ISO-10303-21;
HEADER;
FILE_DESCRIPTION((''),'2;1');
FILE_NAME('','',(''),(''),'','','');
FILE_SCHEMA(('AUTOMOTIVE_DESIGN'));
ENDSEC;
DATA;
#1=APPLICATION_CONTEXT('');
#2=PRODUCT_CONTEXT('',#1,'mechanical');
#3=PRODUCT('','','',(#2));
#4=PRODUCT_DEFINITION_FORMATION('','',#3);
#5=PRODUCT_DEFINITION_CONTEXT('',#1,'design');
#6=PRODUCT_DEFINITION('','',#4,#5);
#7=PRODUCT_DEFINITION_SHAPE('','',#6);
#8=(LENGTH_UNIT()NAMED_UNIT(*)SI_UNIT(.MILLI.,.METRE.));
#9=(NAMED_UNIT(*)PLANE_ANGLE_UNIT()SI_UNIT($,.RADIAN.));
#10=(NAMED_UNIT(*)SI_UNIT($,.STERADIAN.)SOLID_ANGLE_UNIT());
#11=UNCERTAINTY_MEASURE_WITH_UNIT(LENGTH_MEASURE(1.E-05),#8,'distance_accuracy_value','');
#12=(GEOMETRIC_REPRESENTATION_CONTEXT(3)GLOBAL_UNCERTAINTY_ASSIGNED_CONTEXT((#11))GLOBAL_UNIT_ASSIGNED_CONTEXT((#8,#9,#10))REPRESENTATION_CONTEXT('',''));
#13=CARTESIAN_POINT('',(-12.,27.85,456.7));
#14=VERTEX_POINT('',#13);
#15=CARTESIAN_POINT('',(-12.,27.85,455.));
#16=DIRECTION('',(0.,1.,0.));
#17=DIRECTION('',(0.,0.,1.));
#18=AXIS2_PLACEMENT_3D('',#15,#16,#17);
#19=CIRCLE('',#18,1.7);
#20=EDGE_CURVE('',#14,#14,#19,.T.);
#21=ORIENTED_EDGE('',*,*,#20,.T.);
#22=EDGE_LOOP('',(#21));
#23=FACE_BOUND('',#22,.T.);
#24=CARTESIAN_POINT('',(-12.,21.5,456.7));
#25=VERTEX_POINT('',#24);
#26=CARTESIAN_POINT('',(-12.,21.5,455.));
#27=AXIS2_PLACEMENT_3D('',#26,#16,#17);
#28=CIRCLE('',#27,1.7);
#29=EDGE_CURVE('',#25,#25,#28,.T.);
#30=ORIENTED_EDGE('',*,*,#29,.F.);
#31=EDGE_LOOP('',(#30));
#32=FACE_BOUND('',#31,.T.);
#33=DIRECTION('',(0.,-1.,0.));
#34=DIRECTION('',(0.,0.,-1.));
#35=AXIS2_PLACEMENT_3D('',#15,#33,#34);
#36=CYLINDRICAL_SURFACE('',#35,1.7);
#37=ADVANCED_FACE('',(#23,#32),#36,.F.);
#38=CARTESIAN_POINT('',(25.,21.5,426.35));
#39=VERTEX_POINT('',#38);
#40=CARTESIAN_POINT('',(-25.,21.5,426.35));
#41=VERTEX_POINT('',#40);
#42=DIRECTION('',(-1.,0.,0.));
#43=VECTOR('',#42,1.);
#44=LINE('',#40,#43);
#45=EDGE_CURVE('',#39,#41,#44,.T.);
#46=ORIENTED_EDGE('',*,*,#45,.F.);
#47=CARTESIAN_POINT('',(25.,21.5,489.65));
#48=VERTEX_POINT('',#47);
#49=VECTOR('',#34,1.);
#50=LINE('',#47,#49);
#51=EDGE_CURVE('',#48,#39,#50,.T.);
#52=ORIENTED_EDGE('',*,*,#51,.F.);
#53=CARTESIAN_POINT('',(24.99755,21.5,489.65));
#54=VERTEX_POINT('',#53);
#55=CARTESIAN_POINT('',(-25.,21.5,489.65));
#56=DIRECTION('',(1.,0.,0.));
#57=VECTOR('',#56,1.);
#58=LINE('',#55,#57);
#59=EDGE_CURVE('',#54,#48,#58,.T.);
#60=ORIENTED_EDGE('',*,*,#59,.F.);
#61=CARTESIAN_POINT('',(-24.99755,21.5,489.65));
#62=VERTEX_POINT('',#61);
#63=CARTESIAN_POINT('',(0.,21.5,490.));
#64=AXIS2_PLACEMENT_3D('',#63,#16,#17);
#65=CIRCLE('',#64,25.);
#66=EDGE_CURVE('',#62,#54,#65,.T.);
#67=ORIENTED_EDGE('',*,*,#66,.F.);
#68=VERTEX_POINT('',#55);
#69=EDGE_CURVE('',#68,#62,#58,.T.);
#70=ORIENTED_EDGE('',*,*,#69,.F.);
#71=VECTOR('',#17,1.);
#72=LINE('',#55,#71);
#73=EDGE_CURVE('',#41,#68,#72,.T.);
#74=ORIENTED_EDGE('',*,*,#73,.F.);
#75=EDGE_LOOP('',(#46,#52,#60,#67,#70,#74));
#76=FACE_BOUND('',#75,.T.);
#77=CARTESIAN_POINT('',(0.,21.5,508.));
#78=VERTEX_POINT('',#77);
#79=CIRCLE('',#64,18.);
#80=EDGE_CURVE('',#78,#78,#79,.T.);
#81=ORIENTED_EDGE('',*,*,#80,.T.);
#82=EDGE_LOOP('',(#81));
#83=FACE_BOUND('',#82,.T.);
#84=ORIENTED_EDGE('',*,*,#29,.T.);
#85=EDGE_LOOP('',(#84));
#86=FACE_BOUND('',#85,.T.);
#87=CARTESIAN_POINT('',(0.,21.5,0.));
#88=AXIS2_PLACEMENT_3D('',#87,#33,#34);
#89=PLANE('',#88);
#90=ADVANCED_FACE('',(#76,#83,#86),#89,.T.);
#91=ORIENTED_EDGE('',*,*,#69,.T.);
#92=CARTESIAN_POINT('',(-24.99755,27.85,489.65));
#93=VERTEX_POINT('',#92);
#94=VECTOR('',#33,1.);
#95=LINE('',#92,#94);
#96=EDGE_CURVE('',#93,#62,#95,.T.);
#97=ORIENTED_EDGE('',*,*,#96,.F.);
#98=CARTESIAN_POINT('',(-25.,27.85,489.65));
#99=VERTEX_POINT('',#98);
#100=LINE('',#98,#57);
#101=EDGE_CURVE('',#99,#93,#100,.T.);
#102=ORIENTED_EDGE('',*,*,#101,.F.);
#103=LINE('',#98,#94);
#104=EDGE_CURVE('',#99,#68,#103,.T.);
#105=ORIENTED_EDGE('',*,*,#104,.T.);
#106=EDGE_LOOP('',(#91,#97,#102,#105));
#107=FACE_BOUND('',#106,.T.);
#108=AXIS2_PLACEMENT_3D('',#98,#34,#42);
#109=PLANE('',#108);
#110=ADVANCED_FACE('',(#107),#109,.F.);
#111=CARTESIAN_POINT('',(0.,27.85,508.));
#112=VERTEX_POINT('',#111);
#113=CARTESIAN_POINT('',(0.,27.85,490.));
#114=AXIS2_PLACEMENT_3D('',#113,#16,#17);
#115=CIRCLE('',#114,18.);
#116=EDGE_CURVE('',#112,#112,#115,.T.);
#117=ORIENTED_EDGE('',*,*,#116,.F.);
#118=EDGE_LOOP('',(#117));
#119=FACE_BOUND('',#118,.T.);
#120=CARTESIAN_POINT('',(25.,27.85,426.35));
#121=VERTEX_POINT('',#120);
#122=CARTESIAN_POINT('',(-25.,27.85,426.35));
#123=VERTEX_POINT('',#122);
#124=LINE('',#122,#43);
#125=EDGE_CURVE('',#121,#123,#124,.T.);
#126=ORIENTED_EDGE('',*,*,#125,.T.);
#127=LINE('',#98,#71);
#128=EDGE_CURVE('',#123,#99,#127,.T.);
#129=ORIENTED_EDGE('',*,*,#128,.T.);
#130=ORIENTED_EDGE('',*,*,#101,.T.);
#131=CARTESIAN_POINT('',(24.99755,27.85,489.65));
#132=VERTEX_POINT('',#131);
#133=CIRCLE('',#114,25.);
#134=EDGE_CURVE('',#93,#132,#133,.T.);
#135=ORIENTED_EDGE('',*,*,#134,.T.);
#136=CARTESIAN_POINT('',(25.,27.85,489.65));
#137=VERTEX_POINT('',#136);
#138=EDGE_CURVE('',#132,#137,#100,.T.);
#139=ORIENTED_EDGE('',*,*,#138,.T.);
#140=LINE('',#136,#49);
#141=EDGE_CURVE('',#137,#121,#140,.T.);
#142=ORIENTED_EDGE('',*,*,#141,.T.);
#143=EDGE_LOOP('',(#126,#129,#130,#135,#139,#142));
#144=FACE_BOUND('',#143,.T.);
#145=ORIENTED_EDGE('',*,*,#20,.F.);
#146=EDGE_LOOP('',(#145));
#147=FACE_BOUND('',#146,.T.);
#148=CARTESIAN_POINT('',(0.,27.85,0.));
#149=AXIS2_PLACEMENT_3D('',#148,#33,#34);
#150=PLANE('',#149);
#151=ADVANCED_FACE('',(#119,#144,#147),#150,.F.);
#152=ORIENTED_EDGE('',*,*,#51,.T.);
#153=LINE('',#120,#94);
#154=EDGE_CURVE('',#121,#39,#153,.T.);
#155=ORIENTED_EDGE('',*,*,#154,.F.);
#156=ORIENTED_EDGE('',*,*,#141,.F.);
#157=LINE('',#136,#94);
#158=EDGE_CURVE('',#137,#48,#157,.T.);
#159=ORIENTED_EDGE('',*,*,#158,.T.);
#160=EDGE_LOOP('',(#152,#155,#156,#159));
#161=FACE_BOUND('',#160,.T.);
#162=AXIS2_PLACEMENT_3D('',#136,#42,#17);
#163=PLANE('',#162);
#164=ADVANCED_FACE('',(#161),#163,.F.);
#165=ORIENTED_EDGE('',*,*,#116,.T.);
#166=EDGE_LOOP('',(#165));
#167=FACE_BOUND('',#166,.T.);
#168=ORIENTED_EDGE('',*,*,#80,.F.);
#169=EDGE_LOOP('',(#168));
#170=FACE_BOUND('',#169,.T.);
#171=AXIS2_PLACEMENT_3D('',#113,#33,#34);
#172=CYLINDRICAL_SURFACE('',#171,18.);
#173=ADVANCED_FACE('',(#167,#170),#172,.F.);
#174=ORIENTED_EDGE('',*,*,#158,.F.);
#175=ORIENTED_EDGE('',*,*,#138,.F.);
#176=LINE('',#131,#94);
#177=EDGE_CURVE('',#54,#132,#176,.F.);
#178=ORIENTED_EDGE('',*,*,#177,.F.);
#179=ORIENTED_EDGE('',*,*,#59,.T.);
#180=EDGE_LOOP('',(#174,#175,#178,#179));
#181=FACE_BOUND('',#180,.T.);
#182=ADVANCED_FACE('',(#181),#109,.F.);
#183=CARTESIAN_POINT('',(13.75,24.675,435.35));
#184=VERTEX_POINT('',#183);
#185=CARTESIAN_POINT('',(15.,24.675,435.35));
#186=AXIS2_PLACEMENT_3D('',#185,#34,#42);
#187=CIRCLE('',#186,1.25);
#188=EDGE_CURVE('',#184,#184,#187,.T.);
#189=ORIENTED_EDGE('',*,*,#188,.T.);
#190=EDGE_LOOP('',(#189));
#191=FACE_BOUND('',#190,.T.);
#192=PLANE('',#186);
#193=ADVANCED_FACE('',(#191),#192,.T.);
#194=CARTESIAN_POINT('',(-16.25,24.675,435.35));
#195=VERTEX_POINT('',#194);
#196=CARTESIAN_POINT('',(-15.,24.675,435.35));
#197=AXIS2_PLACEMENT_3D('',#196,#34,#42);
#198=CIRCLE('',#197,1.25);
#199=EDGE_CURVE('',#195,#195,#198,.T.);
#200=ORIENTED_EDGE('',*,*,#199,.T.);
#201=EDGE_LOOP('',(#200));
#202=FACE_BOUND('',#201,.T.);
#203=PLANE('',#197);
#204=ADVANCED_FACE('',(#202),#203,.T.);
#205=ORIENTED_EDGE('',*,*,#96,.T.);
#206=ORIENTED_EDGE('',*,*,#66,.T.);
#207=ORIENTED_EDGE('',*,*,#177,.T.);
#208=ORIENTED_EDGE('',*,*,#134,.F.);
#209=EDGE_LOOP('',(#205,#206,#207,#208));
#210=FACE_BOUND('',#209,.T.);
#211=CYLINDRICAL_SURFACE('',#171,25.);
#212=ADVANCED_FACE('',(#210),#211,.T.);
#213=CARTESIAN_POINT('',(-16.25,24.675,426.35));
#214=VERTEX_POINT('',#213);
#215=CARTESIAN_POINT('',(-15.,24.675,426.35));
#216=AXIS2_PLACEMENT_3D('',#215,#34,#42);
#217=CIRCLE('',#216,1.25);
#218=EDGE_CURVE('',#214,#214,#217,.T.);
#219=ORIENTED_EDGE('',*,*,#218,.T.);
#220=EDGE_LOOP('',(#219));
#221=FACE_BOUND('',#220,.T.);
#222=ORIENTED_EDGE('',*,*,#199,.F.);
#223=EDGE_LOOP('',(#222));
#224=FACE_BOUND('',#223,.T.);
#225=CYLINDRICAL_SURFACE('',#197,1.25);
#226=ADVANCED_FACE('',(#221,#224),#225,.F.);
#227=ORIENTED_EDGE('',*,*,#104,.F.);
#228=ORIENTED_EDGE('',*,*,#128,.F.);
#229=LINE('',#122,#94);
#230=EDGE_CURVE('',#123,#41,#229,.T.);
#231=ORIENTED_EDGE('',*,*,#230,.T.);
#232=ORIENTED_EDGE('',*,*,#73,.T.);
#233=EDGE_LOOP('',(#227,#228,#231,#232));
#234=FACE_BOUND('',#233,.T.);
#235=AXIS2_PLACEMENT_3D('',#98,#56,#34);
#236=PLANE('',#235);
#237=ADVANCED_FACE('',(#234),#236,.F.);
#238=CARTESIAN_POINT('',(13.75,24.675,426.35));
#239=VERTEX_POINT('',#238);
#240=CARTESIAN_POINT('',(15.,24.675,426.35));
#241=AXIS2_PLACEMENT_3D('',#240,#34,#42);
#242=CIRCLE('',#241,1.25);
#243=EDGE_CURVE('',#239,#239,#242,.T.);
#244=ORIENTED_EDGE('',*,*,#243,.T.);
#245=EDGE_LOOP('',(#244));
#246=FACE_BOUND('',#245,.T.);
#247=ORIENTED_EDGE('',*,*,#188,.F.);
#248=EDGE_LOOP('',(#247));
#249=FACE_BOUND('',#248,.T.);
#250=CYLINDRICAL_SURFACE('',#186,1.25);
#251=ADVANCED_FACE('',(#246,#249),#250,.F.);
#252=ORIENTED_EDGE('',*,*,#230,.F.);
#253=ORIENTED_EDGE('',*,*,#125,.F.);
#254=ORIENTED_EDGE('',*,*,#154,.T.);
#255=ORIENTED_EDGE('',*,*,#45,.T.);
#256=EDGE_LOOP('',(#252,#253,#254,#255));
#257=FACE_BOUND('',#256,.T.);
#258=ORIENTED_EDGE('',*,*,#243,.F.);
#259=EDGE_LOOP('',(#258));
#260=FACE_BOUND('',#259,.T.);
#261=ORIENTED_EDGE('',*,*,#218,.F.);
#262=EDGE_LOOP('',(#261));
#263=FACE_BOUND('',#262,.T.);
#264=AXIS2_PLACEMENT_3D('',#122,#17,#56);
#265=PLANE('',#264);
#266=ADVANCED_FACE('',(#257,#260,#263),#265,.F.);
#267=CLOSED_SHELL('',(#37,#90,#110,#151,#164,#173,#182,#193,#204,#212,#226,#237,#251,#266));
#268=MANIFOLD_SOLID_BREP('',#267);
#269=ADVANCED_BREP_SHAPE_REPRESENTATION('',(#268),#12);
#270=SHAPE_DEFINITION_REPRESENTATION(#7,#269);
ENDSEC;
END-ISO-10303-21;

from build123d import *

# Parameters (mm, degrees)
PARED_START                = 21.5
SK_PARED_W                 = 50
SK_PARED_H                 = 63.3
PARED_DEPTH                = 6.35
CABEZA_START               = 21.5
SK_CABEZA_R                = 25
CABEZA_DEPTH               = 6.35
PASO_CUBO_J5_START         = 21.5
SK_PASO_CUBO_J5_R          = 18
PASO_CUBO_J5_DEPTH         = 6.35
PASANTE_M3_CINCHO_START    = 21.5
SK_PASANTE_M3_CINCHO_R     = 1.7
PASANTE_M3_CINCHO_DEPTH    = 6.35
SK_ROSCA_M3_DESDE_ABAJO_R  = 1.25
ROSCA_M3_DESDE_ABAJO_DEPTH = 9


with BuildPart() as part:
    # Sk_Pared → Pared (new body)
    with BuildSketch(Plane(origin=(0, 0, 0), x_dir=(1, 0, 0), z_dir=(0, 1, 0)).offset(PARED_START)):
        with Locations((0, -458)):
            Rectangle(SK_PARED_W, SK_PARED_H)
    extrude(amount=PARED_DEPTH)

    # Sk_Cabeza → Cabeza (add)
    with BuildSketch(Plane(origin=(0, 0, 0), x_dir=(1, 0, 0), z_dir=(0, 1, 0)).offset(CABEZA_START)):
        with Locations((0, -490)):
            Circle(SK_CABEZA_R)
    extrude(amount=CABEZA_DEPTH)

    # Sk_Paso_cubo_J5 → Paso_cubo_J5 (cut)
    with BuildSketch(Plane(origin=(0, 0, 0), x_dir=(1, 0, 0), z_dir=(0, 1, 0)).offset(PASO_CUBO_J5_START)):
        with Locations(Location((0, -490, 0), (0, 0, 270))):
            Circle(SK_PASO_CUBO_J5_R)
    extrude(amount=PASO_CUBO_J5_DEPTH, mode=Mode.SUBTRACT)

    # Sk_Pasante_M3_cincho → Pasante_M3_cincho (cut)
    with BuildSketch(Plane(origin=(0, 0, 0), x_dir=(1, 0, 0), z_dir=(0, 1, 0)).offset(PASANTE_M3_CINCHO_START)):
        with Locations(Location((-12, -455, 0), (0, 0, 270))):
            Circle(SK_PASANTE_M3_CINCHO_R)
    extrude(amount=PASANTE_M3_CINCHO_DEPTH, mode=Mode.SUBTRACT)

    # Sk_Rosca_M3_desde_abajo → Rosca_M3_desde_abajo (cut)
    with BuildSketch(Plane(origin=(0, 0, 426.35), x_dir=(-1, 0, 0), z_dir=(0, 0, -1))):
        with Locations((15, 24.675)):
            Circle(SK_ROSCA_M3_DESDE_ABAJO_R)
        with Locations((-15, 24.675)):
            Circle(SK_ROSCA_M3_DESDE_ABAJO_R)
    extrude(amount=-ROSCA_M3_DESDE_ABAJO_DEPTH, mode=Mode.SUBTRACT)


solid = part.part
